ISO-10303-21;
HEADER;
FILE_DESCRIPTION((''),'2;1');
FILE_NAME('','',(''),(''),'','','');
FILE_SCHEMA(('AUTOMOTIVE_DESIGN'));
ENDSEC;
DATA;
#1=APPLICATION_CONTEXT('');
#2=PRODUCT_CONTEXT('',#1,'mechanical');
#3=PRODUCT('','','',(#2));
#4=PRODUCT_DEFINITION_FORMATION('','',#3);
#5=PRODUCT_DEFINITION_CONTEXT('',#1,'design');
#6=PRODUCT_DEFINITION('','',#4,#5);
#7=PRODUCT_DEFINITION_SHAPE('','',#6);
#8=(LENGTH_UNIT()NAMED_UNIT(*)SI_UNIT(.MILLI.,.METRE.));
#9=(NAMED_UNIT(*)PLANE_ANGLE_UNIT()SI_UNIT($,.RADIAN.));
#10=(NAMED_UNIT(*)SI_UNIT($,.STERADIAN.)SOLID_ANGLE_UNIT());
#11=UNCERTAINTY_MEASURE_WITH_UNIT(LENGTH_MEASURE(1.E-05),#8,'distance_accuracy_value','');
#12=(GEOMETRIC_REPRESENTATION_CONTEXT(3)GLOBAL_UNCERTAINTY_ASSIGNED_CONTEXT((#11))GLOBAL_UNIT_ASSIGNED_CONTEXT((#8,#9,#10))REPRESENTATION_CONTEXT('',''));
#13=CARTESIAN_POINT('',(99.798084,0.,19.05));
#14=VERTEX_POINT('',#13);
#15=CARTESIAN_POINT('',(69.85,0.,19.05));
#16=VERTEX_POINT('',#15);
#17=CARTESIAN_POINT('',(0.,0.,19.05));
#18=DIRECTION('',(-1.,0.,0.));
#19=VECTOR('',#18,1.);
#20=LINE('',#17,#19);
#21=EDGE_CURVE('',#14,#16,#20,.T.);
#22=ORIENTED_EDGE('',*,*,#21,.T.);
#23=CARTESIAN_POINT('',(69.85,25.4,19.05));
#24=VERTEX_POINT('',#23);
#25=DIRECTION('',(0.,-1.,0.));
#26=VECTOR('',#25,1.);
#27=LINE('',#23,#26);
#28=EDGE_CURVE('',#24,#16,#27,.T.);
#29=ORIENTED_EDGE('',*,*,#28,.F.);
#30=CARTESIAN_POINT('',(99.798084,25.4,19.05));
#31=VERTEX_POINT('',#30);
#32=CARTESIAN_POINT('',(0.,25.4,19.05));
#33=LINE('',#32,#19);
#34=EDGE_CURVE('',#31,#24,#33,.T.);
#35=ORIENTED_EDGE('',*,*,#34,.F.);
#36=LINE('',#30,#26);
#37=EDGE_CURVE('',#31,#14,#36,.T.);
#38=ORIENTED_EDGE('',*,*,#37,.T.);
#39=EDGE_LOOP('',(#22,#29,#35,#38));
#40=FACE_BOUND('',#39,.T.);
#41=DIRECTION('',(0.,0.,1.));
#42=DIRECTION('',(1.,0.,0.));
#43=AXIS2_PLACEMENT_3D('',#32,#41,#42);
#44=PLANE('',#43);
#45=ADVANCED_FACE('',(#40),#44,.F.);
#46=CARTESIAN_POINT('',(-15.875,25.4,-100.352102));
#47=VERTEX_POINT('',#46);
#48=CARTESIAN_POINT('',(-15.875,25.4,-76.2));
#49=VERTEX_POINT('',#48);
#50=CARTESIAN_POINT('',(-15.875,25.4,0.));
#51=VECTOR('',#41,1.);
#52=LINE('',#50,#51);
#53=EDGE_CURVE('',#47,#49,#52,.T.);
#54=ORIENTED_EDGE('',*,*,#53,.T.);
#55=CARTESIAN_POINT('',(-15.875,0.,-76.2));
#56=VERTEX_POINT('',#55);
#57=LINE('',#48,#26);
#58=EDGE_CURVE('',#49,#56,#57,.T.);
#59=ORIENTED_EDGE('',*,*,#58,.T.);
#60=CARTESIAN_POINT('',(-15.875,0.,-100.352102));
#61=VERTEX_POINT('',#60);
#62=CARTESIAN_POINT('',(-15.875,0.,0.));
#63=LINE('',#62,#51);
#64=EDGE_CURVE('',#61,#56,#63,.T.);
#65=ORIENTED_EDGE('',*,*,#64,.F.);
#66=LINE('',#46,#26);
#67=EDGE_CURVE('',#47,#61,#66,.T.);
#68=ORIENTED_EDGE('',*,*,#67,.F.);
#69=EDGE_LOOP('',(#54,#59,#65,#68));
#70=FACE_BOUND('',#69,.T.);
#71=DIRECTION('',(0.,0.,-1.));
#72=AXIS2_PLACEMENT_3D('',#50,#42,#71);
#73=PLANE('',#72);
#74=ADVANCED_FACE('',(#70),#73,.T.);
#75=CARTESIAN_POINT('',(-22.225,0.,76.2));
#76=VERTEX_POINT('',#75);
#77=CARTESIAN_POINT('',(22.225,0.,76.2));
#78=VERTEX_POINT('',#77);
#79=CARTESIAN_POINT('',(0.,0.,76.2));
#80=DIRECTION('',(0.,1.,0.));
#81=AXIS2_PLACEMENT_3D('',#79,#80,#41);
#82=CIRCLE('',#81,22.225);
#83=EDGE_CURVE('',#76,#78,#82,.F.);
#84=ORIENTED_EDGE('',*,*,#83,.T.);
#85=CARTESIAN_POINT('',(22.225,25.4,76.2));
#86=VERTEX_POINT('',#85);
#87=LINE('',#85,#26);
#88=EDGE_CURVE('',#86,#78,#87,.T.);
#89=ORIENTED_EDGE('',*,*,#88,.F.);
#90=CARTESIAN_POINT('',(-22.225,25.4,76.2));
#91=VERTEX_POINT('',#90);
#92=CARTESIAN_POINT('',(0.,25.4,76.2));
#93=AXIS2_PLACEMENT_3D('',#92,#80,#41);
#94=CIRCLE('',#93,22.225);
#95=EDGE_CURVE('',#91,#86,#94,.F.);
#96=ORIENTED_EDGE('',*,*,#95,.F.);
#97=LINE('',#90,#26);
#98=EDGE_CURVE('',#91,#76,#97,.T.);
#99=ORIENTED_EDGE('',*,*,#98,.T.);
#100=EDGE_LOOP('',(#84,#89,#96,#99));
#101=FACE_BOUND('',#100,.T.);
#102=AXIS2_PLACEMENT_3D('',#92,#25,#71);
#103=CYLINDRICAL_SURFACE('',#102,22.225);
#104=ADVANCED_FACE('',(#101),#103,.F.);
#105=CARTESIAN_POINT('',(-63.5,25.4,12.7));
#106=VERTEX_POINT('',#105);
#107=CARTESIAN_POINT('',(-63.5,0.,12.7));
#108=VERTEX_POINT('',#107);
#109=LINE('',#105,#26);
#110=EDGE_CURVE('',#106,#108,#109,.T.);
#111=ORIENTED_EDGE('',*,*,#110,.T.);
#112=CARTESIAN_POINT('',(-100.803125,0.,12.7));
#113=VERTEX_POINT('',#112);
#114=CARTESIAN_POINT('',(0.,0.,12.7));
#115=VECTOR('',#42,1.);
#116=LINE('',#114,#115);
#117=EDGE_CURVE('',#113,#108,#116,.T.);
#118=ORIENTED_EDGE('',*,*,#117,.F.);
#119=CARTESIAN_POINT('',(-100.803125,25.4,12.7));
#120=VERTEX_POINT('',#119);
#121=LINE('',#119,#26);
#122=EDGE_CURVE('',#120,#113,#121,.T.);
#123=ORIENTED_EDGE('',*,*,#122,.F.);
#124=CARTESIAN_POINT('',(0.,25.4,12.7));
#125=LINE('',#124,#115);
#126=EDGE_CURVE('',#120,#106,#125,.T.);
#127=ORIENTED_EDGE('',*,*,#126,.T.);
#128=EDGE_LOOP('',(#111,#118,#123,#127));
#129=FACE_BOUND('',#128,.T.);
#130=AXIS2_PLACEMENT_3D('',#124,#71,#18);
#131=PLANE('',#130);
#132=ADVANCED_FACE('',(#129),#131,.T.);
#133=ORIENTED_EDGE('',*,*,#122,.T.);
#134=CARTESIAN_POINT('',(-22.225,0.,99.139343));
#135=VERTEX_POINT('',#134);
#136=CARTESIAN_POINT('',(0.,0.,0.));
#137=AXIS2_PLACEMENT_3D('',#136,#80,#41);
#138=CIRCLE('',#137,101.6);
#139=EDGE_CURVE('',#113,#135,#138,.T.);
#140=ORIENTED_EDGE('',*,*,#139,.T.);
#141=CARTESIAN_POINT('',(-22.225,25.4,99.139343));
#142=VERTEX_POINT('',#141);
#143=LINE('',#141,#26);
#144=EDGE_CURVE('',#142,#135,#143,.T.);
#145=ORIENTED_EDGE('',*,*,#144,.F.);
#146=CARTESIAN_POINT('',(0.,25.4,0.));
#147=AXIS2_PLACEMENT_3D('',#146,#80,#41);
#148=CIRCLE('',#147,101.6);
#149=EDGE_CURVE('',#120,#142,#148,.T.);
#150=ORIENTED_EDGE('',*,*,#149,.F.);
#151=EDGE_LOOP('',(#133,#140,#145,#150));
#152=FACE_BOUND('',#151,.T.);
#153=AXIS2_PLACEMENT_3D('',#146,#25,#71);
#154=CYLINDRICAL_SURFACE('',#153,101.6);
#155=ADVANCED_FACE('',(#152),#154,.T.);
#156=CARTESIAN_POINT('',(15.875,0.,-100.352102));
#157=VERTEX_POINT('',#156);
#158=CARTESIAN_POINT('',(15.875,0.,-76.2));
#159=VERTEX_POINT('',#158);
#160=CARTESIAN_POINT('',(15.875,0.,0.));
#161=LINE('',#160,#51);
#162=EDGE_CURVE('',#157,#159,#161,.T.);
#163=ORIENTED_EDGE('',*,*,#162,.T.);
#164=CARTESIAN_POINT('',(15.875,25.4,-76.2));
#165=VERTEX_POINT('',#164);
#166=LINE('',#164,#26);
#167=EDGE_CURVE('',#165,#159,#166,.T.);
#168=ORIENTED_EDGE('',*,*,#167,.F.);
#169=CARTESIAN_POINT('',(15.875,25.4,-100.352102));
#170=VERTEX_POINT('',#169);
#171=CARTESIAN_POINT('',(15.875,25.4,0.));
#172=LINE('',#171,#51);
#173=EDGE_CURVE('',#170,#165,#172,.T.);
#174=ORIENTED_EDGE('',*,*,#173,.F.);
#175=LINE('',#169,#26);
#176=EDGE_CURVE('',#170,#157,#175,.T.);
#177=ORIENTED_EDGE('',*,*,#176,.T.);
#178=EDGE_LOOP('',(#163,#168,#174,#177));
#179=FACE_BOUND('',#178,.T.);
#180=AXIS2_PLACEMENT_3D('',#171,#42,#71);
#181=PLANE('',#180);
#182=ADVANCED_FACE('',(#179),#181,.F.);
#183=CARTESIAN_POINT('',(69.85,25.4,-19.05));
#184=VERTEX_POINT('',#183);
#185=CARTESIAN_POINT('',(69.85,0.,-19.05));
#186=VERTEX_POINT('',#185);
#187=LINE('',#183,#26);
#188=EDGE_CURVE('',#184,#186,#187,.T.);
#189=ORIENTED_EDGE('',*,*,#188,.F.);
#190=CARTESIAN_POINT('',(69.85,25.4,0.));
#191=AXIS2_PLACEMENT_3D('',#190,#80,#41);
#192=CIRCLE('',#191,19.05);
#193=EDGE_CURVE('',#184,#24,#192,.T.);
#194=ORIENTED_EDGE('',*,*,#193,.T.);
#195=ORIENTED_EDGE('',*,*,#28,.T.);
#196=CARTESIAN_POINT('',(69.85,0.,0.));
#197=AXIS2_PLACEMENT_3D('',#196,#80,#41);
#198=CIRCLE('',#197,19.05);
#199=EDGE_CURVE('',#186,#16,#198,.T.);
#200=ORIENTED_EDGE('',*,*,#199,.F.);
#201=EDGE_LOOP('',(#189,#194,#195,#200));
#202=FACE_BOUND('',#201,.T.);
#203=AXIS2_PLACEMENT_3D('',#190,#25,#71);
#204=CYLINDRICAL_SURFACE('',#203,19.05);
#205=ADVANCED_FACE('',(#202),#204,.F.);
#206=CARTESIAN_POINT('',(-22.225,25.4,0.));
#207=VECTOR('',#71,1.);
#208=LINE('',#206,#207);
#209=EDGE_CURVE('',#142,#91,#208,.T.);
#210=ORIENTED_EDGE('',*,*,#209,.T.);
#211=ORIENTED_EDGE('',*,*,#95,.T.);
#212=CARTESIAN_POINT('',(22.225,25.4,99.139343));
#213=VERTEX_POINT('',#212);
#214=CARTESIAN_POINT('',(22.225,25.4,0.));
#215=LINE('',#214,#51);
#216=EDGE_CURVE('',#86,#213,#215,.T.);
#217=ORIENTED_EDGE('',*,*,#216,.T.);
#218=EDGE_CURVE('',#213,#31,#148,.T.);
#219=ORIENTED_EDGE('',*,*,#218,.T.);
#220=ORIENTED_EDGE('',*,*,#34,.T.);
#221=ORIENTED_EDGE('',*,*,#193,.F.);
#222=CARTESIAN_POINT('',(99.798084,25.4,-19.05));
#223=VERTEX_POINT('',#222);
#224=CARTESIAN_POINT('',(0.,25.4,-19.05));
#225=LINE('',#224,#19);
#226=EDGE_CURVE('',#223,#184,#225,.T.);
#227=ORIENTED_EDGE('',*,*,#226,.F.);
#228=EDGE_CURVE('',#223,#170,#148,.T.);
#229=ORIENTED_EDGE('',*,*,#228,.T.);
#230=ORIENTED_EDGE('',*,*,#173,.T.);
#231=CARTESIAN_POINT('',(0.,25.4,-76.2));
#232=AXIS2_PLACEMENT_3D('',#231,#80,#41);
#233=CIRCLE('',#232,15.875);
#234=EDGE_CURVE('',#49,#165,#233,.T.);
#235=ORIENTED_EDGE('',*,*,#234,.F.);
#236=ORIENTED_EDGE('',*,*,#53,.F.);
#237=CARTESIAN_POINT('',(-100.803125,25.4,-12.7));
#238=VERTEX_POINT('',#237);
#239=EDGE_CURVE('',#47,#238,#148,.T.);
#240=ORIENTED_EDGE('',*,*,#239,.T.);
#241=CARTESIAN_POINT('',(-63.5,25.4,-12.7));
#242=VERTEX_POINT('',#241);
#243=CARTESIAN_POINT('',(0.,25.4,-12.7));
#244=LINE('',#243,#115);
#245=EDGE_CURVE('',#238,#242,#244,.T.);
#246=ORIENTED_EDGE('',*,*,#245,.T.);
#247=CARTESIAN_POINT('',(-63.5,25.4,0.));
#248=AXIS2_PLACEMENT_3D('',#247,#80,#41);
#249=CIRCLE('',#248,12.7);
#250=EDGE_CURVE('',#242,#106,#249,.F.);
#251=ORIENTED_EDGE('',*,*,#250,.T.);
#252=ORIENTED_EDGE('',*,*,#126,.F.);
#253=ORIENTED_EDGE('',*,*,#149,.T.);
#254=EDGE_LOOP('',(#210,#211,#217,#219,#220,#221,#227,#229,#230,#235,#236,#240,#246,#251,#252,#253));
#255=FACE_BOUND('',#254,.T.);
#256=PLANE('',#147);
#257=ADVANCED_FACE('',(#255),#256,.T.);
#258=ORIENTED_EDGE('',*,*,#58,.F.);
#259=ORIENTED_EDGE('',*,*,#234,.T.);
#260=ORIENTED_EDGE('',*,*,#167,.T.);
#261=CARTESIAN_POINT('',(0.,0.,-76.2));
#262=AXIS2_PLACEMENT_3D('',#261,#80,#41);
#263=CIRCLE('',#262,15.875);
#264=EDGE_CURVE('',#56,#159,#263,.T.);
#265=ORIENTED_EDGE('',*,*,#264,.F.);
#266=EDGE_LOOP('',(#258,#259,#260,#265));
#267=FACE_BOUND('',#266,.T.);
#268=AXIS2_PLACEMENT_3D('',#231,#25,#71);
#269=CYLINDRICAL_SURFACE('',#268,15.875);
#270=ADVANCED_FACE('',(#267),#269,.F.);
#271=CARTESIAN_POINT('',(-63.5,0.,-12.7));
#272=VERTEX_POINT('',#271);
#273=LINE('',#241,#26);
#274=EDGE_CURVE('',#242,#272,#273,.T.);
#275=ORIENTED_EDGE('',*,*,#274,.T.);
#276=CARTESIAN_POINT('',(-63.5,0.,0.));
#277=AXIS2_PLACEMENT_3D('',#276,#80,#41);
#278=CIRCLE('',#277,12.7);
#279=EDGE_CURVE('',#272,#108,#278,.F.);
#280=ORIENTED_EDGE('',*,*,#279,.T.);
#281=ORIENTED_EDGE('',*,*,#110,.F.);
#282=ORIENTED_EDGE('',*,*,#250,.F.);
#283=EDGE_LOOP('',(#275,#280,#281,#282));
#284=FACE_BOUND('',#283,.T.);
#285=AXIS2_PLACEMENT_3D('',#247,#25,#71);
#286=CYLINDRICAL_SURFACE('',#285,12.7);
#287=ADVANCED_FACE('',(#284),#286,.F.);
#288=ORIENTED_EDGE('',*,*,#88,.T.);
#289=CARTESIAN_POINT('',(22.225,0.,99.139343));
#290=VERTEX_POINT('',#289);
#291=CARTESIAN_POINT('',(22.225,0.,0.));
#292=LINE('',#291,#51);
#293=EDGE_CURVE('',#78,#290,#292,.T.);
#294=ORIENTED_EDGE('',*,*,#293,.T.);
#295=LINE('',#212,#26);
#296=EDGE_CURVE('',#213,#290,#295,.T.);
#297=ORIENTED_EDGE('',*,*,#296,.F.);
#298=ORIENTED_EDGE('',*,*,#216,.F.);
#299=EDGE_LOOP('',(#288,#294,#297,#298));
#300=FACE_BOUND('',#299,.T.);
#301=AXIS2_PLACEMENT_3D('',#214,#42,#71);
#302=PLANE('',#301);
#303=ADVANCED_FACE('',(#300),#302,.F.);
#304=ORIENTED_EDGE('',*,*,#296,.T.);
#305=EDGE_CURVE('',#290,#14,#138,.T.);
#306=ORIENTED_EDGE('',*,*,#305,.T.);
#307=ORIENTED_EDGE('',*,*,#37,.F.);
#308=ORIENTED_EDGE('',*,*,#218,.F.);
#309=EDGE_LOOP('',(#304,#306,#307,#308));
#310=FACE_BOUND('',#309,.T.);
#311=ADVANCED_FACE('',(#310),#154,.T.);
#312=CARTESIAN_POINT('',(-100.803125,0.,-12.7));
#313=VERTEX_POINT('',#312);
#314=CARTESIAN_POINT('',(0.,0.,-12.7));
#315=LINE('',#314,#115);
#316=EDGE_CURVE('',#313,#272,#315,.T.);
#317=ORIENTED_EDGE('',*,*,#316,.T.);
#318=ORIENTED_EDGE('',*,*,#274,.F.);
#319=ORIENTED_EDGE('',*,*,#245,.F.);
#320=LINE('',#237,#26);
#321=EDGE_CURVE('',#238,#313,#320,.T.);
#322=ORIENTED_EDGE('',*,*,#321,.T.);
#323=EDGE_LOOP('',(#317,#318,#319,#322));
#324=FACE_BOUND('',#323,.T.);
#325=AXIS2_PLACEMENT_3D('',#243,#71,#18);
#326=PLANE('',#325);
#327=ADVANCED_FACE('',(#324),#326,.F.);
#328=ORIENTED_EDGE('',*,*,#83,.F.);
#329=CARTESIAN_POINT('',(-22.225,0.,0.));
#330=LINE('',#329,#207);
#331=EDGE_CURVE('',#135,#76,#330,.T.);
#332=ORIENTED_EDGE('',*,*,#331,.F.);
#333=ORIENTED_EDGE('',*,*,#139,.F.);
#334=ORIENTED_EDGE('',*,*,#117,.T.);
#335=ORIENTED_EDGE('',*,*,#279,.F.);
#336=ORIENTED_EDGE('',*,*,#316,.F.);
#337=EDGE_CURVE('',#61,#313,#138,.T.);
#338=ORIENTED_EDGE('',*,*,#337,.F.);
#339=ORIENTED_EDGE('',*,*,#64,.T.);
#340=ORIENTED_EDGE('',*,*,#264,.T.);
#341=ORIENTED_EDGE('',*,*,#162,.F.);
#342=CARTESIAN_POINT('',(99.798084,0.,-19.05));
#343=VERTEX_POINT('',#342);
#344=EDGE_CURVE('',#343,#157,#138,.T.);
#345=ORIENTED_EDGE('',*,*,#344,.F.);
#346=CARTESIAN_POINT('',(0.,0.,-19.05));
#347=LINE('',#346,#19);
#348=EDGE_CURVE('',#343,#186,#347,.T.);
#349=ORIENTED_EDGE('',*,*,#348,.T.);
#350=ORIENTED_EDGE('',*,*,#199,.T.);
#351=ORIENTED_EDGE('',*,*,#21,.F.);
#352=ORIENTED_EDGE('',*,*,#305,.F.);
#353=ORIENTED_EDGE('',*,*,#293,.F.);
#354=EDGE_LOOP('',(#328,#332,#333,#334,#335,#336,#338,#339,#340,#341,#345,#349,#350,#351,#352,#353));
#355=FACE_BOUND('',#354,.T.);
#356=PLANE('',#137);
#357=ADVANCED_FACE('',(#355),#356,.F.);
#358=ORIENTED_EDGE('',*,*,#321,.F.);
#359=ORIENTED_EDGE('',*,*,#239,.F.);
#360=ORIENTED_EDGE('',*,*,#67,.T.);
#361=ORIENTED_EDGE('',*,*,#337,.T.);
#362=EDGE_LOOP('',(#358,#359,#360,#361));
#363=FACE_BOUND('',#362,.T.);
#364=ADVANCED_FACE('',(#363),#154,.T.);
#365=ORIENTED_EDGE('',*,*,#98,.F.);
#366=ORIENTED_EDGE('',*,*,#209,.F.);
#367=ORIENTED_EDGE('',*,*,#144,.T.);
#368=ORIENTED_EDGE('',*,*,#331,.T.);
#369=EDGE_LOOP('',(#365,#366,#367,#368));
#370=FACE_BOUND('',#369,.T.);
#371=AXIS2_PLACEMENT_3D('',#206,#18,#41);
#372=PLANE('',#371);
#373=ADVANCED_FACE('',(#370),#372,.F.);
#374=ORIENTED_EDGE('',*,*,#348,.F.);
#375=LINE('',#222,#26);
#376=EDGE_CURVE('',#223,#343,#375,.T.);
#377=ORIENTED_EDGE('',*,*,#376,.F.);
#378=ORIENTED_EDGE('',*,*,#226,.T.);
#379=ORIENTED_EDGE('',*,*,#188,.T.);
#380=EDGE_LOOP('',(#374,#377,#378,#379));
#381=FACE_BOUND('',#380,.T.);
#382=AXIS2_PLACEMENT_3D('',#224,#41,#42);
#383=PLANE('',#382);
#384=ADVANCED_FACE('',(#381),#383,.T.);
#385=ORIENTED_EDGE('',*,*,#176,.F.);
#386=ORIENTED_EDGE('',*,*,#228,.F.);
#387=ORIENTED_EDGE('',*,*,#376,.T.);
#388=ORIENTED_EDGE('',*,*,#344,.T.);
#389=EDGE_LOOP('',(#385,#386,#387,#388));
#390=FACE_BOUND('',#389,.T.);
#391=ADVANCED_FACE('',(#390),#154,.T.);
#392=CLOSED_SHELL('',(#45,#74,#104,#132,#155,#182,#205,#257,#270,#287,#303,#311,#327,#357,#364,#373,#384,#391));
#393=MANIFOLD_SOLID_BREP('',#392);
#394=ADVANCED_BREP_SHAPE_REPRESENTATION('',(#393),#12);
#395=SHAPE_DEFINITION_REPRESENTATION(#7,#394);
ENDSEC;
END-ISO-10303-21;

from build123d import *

# Parameters (mm, degrees)
BOSS_EXTRUDE1_DEPTH = 25.4


with BuildPart() as part:
    # Sketch1 → Boss-Extrude1 (new body)
    with BuildSketch(Plane(origin=(0, 0, 0), x_dir=(1, 0, 0), z_dir=(0, 1, 0))):
        with BuildLine():
            ThreePointArc((-100.803124952, -12.7), (-75.179251769, -68.342081498), (-22.225, -99.139343225))
            Line((-22.225, -99.139343225), (-22.225, -76.2))
            ThreePointArc((-22.225, -76.2), (0, -53.975), (22.225, -76.2))
            Line((22.225, -76.2), (22.225, -99.139343225))
            ThreePointArc((22.225, -99.139343225), (72.97933927, -70.686462917), (99.798083649, -19.05))
            Line((99.798083649, -19.05), (69.85, -19.05))
            ThreePointArc((69.85, -19.05), (50.8, 0), (69.85, 19.05))
            Line((69.85, 19.05), (99.798083649, 19.05))
            ThreePointArc((99.798083649, 19.05), (70.693518214, 72.972504977), (15.875, 100.352101996))
            Line((15.875, 100.352101996), (15.875, 76.2))
            ThreePointArc((15.875, 76.2), (0, 60.325), (-15.875, 76.2))
            Line((-15.875, 76.2), (-15.875, 100.352101996))
            ThreePointArc((-15.875, 100.352101996), (-72.966903159, 70.699300162), (-100.803124952, 12.7))
            Line((-100.803124952, 12.7), (-63.5, 12.7))
            ThreePointArc((-63.5, 12.7), (-50.8, 0), (-63.5, -12.7))
            Line((-63.5, -12.7), (-100.803124952, -12.7))
        make_face()
    extrude(amount=BOSS_EXTRUDE1_DEPTH)


solid = part.part
